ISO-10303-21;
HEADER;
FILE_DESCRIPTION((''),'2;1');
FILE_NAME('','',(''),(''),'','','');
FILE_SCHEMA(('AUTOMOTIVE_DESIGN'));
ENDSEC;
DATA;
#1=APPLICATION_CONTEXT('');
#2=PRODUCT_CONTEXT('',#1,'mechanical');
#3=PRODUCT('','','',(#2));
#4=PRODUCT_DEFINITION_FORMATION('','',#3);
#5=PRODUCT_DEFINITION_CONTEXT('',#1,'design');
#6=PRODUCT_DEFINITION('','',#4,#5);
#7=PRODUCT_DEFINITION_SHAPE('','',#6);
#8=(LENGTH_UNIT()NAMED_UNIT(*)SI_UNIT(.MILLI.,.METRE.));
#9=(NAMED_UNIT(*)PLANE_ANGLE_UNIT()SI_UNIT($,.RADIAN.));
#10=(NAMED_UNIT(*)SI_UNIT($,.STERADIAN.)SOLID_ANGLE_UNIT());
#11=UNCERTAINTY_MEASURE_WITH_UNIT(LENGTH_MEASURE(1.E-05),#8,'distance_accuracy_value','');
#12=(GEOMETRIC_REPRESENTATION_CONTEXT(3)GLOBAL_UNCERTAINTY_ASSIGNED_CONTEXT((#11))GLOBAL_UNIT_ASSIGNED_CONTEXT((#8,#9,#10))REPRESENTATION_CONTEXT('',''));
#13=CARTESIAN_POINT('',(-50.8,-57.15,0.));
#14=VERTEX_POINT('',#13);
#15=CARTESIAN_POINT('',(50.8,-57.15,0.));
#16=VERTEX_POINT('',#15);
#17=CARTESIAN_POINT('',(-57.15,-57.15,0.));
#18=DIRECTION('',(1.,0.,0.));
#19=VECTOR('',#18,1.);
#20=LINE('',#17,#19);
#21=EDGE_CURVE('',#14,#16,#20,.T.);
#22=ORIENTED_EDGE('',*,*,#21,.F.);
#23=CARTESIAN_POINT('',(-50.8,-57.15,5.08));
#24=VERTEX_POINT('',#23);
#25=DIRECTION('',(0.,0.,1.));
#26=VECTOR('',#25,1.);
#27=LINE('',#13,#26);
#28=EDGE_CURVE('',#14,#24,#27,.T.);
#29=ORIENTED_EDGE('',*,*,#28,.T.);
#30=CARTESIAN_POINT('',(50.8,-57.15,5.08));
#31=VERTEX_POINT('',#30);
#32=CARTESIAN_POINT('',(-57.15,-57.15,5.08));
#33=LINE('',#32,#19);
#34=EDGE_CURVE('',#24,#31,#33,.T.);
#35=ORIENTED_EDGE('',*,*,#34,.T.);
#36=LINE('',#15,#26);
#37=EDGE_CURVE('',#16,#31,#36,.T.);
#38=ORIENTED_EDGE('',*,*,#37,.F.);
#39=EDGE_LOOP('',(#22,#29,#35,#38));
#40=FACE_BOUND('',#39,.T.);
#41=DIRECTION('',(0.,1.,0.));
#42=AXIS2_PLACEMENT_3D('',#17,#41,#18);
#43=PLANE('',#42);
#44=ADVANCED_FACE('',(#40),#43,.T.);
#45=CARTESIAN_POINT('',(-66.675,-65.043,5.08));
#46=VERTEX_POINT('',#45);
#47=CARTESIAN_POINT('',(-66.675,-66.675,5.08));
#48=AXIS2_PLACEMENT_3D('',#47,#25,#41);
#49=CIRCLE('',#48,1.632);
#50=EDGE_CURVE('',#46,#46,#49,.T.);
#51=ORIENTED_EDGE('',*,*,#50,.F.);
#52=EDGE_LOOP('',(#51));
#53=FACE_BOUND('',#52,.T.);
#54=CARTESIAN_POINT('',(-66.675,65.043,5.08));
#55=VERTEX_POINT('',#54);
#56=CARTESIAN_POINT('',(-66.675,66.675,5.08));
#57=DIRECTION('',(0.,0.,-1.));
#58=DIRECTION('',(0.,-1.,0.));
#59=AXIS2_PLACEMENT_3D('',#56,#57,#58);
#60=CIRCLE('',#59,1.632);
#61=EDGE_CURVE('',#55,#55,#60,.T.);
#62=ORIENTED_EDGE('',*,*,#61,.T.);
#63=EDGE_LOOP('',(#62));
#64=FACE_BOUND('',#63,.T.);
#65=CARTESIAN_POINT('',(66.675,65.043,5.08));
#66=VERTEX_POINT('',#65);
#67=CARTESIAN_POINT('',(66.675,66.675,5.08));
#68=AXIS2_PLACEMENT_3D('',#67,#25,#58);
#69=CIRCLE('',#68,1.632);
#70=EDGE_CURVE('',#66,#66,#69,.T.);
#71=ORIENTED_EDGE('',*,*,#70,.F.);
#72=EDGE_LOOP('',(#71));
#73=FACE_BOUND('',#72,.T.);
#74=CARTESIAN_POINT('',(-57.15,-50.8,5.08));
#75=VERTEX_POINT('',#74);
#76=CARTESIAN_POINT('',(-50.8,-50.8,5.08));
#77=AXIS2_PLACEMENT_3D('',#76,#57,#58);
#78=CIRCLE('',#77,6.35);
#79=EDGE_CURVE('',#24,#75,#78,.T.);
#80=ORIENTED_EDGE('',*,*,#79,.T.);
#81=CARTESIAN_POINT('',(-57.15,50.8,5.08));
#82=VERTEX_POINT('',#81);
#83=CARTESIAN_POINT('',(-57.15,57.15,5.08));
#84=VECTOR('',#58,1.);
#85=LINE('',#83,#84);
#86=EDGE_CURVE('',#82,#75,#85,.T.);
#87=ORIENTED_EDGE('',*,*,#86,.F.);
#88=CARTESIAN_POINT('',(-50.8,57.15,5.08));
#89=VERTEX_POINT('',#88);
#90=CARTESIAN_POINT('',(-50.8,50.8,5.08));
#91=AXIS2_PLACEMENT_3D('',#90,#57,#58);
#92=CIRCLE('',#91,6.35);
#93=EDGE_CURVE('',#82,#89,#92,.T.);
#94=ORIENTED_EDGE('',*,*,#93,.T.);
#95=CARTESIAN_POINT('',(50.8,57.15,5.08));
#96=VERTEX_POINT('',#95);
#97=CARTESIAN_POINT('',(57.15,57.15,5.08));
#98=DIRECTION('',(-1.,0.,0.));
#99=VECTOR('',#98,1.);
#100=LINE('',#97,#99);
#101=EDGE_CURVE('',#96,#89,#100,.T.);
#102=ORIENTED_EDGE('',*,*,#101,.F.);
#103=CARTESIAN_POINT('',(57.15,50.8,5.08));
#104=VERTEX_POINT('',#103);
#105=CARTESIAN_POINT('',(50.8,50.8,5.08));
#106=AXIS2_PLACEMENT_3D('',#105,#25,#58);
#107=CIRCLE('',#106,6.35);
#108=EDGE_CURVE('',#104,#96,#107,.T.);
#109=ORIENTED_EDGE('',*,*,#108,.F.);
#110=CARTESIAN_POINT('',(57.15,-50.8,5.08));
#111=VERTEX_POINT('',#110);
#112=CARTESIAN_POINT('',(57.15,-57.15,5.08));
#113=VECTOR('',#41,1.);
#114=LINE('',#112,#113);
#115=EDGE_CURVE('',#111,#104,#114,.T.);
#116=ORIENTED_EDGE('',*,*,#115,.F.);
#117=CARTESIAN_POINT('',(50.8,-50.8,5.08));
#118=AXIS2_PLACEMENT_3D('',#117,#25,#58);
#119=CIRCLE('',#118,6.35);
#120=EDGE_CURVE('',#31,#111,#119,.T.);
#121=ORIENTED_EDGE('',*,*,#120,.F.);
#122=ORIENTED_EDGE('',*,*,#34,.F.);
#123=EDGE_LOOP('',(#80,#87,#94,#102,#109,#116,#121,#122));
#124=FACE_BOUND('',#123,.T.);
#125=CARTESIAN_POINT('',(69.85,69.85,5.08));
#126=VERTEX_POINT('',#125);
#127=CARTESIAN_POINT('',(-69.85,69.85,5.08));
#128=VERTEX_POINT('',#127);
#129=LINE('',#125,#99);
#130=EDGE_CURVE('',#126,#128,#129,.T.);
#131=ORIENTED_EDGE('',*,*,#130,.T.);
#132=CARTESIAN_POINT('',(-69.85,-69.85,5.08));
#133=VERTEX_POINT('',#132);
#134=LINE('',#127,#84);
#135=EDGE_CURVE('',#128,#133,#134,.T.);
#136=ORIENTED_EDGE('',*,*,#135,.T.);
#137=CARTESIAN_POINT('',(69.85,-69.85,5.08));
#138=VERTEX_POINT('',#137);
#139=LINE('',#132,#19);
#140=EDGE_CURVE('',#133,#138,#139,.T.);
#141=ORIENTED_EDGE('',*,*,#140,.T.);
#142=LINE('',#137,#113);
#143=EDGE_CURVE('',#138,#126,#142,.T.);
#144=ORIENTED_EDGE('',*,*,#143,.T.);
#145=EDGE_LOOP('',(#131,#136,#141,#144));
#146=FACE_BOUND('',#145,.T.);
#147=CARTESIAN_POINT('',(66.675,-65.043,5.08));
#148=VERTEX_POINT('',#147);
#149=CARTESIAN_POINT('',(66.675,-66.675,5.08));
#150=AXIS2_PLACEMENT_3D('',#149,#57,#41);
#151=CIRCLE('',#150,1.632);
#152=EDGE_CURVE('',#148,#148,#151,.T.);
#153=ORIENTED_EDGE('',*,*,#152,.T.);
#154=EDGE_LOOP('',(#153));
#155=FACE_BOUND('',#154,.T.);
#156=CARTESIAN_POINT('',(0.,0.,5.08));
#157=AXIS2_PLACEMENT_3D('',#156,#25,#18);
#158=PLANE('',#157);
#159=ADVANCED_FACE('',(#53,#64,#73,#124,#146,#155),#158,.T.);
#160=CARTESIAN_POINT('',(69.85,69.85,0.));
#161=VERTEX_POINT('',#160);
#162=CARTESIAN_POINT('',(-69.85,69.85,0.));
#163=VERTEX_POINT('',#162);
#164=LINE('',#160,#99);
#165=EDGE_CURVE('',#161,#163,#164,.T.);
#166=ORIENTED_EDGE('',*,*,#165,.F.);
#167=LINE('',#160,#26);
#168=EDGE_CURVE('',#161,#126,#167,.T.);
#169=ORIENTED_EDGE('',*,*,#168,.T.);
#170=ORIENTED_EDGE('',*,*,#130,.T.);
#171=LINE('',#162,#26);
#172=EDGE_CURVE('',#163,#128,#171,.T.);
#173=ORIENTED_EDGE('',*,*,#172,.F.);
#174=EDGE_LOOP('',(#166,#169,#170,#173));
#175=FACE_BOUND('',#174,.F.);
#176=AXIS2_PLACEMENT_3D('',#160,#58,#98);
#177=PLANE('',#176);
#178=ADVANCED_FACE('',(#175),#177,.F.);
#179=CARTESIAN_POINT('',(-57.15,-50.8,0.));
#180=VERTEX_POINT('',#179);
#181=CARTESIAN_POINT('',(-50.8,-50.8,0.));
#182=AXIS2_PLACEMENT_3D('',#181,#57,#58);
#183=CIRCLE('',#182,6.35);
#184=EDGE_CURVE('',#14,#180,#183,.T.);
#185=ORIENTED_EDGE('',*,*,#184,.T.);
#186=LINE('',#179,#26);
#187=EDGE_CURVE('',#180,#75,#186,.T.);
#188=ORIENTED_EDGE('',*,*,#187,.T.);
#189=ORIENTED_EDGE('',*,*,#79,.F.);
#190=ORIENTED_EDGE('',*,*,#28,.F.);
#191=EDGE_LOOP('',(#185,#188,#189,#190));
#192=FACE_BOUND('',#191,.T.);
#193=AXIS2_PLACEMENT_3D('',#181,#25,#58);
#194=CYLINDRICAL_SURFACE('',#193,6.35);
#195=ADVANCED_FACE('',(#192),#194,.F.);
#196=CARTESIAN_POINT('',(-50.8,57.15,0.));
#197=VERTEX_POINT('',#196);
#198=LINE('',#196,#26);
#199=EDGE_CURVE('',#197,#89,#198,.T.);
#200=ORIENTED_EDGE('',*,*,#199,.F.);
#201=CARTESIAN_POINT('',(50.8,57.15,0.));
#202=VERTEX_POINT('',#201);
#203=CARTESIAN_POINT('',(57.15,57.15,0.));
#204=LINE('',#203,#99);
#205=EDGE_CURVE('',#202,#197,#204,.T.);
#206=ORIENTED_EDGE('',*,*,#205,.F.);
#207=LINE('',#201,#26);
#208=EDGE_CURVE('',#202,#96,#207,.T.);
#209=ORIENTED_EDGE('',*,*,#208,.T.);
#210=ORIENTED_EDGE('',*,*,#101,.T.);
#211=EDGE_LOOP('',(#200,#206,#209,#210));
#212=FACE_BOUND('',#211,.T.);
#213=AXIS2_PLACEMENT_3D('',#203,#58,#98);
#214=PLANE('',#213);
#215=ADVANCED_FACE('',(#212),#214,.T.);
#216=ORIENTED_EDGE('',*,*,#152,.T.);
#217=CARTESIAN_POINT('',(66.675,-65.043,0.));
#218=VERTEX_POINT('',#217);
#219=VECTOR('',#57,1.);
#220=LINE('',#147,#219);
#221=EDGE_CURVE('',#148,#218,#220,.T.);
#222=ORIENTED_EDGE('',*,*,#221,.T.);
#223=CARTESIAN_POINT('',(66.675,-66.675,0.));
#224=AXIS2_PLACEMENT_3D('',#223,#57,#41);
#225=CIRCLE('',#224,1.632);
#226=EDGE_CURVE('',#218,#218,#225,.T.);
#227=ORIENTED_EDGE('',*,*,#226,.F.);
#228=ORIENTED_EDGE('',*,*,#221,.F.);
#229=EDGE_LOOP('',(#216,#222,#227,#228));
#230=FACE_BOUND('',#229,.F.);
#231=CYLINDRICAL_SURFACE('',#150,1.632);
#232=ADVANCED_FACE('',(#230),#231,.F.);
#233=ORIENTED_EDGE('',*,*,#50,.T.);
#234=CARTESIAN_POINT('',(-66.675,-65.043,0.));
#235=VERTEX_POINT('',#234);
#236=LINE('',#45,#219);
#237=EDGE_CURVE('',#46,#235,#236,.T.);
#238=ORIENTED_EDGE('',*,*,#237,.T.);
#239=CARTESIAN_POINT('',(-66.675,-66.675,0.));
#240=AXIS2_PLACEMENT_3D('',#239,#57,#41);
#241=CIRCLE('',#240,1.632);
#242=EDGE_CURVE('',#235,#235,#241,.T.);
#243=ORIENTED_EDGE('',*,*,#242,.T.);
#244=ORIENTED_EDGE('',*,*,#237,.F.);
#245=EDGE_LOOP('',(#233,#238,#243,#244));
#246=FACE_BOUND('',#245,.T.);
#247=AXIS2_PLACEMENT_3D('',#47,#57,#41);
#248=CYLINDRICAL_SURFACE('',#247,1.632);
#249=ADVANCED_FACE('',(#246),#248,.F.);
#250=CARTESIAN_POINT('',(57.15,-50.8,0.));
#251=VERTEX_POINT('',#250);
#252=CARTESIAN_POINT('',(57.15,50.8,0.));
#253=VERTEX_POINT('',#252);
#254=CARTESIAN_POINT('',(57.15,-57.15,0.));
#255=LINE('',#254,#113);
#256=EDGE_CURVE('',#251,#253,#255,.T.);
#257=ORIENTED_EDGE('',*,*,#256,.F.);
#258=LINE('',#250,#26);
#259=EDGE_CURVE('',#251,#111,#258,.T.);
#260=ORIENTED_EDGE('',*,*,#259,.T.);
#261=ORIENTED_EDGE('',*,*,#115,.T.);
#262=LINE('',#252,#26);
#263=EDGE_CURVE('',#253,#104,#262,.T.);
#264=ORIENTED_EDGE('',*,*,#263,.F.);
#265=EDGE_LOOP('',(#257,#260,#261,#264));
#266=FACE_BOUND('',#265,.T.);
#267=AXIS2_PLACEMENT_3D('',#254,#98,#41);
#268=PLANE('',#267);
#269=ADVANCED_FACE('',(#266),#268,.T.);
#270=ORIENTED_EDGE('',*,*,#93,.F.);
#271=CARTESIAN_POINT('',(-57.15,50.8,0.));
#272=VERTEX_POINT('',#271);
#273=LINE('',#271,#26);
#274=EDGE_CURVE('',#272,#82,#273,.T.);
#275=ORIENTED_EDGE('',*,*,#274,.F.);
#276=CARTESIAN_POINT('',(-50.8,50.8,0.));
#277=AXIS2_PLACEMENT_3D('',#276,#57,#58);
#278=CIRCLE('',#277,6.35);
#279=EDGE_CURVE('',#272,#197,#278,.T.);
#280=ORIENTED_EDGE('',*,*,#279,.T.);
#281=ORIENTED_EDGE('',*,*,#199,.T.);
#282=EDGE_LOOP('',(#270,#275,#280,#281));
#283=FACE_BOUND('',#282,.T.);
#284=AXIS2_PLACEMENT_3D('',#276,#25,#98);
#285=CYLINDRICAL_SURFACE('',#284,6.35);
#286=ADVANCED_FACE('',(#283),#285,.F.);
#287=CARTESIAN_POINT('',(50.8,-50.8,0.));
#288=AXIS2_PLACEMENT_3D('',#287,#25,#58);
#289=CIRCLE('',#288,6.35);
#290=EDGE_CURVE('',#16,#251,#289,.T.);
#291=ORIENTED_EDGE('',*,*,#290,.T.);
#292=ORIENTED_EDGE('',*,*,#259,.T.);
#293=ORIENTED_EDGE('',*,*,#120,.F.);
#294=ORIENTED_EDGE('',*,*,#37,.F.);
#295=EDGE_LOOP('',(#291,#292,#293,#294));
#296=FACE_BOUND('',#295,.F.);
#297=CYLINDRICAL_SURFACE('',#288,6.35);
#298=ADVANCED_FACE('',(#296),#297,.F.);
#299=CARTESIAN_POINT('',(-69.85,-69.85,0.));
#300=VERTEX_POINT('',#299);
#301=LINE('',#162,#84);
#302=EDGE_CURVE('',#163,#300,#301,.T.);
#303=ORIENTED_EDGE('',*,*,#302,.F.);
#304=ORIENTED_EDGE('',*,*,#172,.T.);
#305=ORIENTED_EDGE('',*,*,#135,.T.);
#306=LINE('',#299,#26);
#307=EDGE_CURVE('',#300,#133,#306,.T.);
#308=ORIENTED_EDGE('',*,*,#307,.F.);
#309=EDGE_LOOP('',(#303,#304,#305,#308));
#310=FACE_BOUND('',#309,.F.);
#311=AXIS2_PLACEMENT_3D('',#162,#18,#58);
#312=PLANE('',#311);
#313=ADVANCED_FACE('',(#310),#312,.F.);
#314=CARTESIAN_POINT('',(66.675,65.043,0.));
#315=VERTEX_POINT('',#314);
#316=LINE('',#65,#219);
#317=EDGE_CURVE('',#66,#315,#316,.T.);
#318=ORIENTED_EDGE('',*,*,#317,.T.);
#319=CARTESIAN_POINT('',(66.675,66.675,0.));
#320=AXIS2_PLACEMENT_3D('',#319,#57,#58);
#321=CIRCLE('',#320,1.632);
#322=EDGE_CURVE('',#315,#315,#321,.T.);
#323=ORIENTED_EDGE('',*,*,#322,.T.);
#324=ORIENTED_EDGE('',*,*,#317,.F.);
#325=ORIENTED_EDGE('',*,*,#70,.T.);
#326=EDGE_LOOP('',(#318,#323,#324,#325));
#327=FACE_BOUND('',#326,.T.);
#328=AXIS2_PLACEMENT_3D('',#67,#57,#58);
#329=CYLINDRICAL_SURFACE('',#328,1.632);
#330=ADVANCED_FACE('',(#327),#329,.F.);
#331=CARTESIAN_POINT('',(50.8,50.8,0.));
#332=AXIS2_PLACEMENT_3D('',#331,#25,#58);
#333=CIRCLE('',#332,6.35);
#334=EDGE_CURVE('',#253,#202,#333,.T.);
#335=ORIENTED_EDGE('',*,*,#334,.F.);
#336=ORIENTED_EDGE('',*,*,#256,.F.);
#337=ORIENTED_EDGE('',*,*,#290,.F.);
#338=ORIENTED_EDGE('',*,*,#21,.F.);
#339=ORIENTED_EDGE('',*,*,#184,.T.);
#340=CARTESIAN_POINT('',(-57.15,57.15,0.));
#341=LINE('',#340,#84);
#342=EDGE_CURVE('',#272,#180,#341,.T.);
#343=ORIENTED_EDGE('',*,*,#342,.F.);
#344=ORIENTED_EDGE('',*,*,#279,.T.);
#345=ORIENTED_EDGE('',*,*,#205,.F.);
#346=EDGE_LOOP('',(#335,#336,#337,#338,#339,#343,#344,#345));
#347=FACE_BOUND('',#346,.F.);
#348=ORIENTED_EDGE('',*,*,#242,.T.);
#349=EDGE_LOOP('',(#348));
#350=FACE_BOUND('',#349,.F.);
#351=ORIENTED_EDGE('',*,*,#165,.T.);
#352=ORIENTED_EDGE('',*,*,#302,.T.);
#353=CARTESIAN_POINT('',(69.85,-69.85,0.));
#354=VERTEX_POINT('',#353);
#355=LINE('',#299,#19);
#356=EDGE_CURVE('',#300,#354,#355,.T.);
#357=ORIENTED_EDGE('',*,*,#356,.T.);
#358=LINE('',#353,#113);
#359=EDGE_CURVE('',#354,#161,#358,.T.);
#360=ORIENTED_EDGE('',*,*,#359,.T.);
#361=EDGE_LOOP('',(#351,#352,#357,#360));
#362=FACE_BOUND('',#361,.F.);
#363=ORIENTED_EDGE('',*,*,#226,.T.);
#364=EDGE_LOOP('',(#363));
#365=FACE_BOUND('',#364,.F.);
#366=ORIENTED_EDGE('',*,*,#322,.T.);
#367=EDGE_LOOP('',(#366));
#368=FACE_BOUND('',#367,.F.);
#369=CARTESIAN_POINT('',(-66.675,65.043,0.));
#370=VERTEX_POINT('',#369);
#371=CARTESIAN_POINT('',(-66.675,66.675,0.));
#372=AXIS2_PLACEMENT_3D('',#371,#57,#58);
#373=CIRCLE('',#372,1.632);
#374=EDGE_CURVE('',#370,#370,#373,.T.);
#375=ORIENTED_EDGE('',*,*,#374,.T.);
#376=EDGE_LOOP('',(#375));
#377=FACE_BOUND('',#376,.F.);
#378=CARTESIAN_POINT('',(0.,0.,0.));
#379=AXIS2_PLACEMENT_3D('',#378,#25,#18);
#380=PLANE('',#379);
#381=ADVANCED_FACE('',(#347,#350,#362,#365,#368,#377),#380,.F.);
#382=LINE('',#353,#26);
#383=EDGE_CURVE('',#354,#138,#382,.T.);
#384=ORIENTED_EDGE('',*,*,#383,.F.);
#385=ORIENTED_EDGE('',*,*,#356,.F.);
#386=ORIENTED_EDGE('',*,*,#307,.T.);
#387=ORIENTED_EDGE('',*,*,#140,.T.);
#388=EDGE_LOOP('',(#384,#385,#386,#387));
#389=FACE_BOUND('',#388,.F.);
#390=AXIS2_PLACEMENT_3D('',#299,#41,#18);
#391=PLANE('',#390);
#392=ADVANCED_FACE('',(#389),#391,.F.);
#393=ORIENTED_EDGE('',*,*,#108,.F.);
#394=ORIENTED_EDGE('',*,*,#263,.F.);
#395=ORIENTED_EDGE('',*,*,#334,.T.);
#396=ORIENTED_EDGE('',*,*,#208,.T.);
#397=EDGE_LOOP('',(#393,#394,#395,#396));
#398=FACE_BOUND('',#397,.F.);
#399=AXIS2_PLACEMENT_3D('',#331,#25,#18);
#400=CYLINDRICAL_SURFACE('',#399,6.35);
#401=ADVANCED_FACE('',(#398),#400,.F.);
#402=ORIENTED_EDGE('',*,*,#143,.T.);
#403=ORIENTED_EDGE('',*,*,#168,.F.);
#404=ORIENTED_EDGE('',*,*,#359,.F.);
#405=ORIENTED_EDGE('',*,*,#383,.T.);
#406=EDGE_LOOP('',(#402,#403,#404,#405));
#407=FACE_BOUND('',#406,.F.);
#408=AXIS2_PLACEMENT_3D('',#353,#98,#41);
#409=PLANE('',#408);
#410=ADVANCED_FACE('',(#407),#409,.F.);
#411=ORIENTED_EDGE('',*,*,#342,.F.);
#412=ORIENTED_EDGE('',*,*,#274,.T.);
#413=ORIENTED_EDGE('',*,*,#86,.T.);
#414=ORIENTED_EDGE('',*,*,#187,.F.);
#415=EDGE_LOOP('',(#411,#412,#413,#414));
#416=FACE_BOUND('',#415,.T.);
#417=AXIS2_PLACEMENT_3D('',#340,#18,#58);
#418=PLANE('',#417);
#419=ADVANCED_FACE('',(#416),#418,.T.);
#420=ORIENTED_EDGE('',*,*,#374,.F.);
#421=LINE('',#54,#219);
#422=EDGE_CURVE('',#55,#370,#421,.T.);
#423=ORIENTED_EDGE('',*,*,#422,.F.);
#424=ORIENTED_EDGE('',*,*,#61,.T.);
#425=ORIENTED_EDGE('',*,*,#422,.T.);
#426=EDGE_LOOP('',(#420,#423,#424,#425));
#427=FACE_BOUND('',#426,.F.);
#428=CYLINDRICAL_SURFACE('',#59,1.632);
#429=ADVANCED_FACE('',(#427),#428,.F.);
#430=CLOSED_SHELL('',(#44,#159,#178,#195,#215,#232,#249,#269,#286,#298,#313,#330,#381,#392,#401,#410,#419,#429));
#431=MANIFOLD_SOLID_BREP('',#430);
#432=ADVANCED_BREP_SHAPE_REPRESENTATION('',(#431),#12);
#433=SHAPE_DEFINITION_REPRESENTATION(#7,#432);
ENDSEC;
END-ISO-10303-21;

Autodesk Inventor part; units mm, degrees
ref_plane "YZ Plane" through (0, 0, 0) normal (1, 0, 0) x (0, 1, 0)
ref_plane "XZ Plane" through (0, 0, 0) normal (0, 1, 0) x (-1, 0, 0)
ref_plane "XY Plane" through (0, 0, 0) normal (0, 0, 1) x (1, 0, 0)
sketch "Sketch1" plane through (0, 0, 0) normal (0, 0, 1) x (1, 0, 0)
  line L0 (-63.5, -63.5) -> (63.5, -63.5)
  line L1 (63.5, -63.5) -> (63.5, 63.5)
  line L2 (63.5, 63.5) -> (-63.5, 63.5)
  line L3 (-63.5, 63.5) -> (-63.5, -63.5)
  line L4 (-63.5, -63.5) -> (63.5, 63.5) construction
  line L5 (63.5, -63.5) -> (-63.5, 63.5) construction
  line L6 (-69.85, -69.85) -> (69.85, -69.85)
  line L7 (69.85, -69.85) -> (69.85, 69.85)
  line L8 (69.85, 69.85) -> (-69.85, 69.85)
  line L9 (-69.85, 69.85) -> (-69.85, -69.85)
  line L10 (-57.15, -57.15) -> (57.15, -57.15)
  line L11 (57.15, -57.15) -> (57.15, 57.15)
  line L12 (57.15, 57.15) -> (-57.15, 57.15)
  line L13 (-57.15, 57.15) -> (-57.15, -57.15)
  point P0 (0, 0)
  dimension "d0" = 127
  dimension "d1" = 127
  dimension "d2" = 6.35
  dimension "d3" = 6.35
extrude "Extrusion1" add sketch "Sketch1" along normal blind 5.08 contours L3 L2 L1 L0 | L9 L8 L7 L6
sketch "Sketch2" plane through (0, 0, 5.08) normal (0, 0, 1) x (1, 0, 0)
  line L0 (-57.15, -57.15) -> (-57.15, 57.15) projected
  line L1 (-57.15, 57.15) -> (57.15, 57.15) projected
  line L2 (57.15, 57.15) -> (57.15, -57.15) projected
  line L3 (57.15, -57.15) -> (-57.15, -57.15) projected
  line L4 (-69.85, -69.85) -> (69.85, -69.85) projected
  line L5 (69.85, -69.85) -> (69.85, 69.85) projected
  line L6 (69.85, 69.85) -> (-69.85, 69.85) projected
  line L7 (-69.85, 69.85) -> (-69.85, -69.85) projected
  point P0 (0, 0)
  point P1 (-66.675, 66.675)
  dimension "d6" = 3.175
  dimension "d7" = 3.175
hole "Hole1" at (-66.675, 66.675, 5.08) direction (0, 0, -1) diameter 3.264 end through all clearance for "Flat Head Machine Screw (82)" size "#4" standard "Ansi Unified Screw Threads"
mirror "Mirror1" about plane through (0, 0, 0) normal (0, 1, 0) of "Hole1"
mirror "Mirror2" about plane through (0, 0, 0) normal (1, 0, 0) of "Hole1", "Mirror1"
fillet "Fillet1" radius 6.35 4 edges at (-57.15, 57.15, 2.54) (57.15, 57.15, 2.54) (-57.15, -57.15, 2.54) (57.15, -57.15, 2.54)
properties part number "spacer" material "Aluminum 6061"
